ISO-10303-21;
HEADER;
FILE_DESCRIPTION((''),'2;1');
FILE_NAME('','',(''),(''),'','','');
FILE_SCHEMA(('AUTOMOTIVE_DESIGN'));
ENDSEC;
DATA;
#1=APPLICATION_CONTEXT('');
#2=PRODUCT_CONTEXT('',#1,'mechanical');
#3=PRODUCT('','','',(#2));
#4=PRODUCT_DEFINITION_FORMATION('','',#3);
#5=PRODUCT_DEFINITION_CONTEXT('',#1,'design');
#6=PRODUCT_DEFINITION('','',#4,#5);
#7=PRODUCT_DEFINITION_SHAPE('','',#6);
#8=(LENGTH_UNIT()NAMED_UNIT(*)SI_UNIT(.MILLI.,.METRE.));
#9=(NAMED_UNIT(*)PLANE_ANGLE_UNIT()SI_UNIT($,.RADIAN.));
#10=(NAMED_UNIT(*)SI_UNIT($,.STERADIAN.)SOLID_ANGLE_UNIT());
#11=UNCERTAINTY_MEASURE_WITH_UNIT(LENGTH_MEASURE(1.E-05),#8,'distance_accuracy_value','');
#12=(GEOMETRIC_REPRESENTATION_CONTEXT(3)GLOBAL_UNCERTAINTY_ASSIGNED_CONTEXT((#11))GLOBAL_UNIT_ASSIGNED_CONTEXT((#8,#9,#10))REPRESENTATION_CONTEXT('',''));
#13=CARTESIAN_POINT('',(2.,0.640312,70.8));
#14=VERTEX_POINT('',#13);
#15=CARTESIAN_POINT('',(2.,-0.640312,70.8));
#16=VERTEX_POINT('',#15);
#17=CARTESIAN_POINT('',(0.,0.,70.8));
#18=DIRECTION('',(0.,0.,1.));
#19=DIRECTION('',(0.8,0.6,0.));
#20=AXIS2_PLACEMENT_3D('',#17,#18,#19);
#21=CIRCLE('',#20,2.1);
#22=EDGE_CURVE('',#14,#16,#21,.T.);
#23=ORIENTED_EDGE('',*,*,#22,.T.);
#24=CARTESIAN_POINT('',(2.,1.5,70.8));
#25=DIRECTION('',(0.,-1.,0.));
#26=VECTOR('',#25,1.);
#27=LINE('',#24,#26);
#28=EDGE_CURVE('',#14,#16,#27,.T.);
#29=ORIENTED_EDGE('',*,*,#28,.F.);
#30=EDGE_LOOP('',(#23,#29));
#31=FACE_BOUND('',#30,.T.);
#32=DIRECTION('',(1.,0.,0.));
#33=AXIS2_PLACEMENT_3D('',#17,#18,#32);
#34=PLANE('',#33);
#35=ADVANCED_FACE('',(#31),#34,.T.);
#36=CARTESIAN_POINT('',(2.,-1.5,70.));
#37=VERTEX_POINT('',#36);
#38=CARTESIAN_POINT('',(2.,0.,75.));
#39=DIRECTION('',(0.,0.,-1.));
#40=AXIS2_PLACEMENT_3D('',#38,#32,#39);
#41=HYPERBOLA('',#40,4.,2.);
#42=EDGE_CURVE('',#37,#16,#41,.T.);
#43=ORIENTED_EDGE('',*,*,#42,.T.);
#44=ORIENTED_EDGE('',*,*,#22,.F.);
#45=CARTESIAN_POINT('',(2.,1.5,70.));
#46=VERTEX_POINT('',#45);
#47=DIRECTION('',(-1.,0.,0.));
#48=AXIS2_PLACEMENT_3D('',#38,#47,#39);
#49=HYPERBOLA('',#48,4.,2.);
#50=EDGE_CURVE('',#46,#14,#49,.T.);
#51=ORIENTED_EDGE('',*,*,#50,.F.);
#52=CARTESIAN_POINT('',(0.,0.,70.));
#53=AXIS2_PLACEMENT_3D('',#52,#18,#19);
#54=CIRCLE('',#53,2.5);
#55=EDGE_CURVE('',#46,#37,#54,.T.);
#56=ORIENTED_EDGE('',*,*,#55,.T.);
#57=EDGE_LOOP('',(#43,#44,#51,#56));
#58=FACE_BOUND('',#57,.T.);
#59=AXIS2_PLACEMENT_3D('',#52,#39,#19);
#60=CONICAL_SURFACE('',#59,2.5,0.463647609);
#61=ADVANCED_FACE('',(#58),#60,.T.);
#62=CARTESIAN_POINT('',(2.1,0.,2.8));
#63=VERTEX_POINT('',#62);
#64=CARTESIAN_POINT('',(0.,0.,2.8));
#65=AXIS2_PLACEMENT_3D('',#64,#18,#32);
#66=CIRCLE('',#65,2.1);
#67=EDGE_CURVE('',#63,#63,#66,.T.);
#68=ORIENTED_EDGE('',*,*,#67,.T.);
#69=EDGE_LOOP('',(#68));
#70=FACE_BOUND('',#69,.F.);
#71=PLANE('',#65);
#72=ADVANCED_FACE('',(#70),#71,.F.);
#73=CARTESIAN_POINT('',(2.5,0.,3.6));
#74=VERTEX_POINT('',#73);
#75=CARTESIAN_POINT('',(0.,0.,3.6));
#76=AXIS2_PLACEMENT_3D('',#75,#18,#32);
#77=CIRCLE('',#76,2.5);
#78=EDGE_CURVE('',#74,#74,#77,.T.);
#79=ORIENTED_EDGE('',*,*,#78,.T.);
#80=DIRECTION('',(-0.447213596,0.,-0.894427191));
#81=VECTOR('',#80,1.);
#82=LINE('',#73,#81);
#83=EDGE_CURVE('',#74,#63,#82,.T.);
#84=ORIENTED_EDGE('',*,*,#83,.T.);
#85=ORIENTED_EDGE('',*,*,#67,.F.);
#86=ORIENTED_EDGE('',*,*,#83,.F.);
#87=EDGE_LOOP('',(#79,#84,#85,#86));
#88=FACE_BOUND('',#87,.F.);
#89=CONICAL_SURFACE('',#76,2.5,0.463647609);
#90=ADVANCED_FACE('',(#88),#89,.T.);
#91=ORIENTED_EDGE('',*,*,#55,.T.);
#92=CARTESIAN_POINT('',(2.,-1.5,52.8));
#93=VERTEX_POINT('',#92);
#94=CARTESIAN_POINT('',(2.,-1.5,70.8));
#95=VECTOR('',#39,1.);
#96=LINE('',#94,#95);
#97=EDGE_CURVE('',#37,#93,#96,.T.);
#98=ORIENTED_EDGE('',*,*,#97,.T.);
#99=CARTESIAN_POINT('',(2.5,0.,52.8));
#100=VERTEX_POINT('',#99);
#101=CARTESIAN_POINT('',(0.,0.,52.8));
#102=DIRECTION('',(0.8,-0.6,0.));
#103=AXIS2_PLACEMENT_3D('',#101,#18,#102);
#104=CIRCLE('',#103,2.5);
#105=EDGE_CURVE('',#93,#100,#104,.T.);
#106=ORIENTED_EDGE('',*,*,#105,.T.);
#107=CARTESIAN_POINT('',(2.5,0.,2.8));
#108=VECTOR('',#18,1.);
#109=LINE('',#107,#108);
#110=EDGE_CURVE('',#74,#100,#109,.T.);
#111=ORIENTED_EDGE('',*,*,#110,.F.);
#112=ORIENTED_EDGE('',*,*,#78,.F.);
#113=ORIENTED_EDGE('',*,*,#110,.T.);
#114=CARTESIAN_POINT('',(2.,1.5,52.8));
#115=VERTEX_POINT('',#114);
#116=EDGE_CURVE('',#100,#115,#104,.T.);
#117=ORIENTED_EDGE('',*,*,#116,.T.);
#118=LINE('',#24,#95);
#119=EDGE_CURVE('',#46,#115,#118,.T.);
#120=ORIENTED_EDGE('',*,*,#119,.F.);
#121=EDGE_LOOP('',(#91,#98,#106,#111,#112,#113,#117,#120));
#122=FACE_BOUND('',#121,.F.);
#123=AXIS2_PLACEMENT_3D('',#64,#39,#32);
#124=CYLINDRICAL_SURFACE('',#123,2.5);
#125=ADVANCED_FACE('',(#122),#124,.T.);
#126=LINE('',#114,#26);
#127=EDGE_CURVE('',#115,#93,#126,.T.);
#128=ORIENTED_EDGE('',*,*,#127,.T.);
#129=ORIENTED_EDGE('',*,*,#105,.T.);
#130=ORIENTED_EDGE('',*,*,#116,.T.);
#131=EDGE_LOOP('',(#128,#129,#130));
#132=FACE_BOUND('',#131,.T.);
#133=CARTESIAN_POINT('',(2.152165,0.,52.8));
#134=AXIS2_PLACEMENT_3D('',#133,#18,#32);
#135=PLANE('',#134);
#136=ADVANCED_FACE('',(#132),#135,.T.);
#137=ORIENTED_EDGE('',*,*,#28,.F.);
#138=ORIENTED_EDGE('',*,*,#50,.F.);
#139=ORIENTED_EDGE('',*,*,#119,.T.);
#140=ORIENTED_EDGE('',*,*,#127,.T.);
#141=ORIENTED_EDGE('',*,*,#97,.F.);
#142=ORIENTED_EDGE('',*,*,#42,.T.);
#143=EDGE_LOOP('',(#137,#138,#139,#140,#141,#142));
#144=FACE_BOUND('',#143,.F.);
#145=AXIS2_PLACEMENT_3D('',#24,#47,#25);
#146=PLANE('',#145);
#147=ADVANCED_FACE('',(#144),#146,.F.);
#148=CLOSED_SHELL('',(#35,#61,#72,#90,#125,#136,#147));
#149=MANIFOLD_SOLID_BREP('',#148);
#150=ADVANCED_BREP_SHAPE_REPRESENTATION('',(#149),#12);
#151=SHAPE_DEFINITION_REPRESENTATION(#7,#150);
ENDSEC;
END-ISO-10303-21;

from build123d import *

# Parameters (mm, degrees)
SKETCH012_R      = 2.5
PAD006_DEPTH     = 68
POCKET003_DEPTH  = 18
CHAMFER002_SIZE2 = 0.4
CHAMFER002_SIZE  = 0.8


with BuildPart() as part:
    # Sketch012 → Pad006 (new body)
    with BuildSketch(Plane.XY):
        Circle(SKETCH012_R)
    extrude(amount=PAD006_DEPTH)

    # Sketch013 (on Face3 of Pad006) → Pocket003 (cut)
    with BuildSketch(Plane.XY.offset(68)):
        with BuildLine():
            ThreePointArc((2, -1.5), (2.5, 0), (2, 1.5))
            Line((2, 1.5), (2, -1.5))
        make_face()
    extrude(amount=-POCKET003_DEPTH, mode=Mode.SUBTRACT)

    # Chamfer002
    chamfer002_edges = [part.edges().sort_by_distance(p)[0] for p in [
        (-2.5, 0, 68),
        (-2.5, 0, 0),
    ]]
    chamfer002_side = part.faces().sort_by_distance((-2.5, 0, 34))[0]
    chamfer(chamfer002_edges, length=CHAMFER002_SIZE, length2=CHAMFER002_SIZE2, reference=chamfer002_side)


with BuildPart() as part_1:
    # Body003 placement: moved
    add(part.part.moved(Location((0, 0, 2.8))))


solid = part_1.part
